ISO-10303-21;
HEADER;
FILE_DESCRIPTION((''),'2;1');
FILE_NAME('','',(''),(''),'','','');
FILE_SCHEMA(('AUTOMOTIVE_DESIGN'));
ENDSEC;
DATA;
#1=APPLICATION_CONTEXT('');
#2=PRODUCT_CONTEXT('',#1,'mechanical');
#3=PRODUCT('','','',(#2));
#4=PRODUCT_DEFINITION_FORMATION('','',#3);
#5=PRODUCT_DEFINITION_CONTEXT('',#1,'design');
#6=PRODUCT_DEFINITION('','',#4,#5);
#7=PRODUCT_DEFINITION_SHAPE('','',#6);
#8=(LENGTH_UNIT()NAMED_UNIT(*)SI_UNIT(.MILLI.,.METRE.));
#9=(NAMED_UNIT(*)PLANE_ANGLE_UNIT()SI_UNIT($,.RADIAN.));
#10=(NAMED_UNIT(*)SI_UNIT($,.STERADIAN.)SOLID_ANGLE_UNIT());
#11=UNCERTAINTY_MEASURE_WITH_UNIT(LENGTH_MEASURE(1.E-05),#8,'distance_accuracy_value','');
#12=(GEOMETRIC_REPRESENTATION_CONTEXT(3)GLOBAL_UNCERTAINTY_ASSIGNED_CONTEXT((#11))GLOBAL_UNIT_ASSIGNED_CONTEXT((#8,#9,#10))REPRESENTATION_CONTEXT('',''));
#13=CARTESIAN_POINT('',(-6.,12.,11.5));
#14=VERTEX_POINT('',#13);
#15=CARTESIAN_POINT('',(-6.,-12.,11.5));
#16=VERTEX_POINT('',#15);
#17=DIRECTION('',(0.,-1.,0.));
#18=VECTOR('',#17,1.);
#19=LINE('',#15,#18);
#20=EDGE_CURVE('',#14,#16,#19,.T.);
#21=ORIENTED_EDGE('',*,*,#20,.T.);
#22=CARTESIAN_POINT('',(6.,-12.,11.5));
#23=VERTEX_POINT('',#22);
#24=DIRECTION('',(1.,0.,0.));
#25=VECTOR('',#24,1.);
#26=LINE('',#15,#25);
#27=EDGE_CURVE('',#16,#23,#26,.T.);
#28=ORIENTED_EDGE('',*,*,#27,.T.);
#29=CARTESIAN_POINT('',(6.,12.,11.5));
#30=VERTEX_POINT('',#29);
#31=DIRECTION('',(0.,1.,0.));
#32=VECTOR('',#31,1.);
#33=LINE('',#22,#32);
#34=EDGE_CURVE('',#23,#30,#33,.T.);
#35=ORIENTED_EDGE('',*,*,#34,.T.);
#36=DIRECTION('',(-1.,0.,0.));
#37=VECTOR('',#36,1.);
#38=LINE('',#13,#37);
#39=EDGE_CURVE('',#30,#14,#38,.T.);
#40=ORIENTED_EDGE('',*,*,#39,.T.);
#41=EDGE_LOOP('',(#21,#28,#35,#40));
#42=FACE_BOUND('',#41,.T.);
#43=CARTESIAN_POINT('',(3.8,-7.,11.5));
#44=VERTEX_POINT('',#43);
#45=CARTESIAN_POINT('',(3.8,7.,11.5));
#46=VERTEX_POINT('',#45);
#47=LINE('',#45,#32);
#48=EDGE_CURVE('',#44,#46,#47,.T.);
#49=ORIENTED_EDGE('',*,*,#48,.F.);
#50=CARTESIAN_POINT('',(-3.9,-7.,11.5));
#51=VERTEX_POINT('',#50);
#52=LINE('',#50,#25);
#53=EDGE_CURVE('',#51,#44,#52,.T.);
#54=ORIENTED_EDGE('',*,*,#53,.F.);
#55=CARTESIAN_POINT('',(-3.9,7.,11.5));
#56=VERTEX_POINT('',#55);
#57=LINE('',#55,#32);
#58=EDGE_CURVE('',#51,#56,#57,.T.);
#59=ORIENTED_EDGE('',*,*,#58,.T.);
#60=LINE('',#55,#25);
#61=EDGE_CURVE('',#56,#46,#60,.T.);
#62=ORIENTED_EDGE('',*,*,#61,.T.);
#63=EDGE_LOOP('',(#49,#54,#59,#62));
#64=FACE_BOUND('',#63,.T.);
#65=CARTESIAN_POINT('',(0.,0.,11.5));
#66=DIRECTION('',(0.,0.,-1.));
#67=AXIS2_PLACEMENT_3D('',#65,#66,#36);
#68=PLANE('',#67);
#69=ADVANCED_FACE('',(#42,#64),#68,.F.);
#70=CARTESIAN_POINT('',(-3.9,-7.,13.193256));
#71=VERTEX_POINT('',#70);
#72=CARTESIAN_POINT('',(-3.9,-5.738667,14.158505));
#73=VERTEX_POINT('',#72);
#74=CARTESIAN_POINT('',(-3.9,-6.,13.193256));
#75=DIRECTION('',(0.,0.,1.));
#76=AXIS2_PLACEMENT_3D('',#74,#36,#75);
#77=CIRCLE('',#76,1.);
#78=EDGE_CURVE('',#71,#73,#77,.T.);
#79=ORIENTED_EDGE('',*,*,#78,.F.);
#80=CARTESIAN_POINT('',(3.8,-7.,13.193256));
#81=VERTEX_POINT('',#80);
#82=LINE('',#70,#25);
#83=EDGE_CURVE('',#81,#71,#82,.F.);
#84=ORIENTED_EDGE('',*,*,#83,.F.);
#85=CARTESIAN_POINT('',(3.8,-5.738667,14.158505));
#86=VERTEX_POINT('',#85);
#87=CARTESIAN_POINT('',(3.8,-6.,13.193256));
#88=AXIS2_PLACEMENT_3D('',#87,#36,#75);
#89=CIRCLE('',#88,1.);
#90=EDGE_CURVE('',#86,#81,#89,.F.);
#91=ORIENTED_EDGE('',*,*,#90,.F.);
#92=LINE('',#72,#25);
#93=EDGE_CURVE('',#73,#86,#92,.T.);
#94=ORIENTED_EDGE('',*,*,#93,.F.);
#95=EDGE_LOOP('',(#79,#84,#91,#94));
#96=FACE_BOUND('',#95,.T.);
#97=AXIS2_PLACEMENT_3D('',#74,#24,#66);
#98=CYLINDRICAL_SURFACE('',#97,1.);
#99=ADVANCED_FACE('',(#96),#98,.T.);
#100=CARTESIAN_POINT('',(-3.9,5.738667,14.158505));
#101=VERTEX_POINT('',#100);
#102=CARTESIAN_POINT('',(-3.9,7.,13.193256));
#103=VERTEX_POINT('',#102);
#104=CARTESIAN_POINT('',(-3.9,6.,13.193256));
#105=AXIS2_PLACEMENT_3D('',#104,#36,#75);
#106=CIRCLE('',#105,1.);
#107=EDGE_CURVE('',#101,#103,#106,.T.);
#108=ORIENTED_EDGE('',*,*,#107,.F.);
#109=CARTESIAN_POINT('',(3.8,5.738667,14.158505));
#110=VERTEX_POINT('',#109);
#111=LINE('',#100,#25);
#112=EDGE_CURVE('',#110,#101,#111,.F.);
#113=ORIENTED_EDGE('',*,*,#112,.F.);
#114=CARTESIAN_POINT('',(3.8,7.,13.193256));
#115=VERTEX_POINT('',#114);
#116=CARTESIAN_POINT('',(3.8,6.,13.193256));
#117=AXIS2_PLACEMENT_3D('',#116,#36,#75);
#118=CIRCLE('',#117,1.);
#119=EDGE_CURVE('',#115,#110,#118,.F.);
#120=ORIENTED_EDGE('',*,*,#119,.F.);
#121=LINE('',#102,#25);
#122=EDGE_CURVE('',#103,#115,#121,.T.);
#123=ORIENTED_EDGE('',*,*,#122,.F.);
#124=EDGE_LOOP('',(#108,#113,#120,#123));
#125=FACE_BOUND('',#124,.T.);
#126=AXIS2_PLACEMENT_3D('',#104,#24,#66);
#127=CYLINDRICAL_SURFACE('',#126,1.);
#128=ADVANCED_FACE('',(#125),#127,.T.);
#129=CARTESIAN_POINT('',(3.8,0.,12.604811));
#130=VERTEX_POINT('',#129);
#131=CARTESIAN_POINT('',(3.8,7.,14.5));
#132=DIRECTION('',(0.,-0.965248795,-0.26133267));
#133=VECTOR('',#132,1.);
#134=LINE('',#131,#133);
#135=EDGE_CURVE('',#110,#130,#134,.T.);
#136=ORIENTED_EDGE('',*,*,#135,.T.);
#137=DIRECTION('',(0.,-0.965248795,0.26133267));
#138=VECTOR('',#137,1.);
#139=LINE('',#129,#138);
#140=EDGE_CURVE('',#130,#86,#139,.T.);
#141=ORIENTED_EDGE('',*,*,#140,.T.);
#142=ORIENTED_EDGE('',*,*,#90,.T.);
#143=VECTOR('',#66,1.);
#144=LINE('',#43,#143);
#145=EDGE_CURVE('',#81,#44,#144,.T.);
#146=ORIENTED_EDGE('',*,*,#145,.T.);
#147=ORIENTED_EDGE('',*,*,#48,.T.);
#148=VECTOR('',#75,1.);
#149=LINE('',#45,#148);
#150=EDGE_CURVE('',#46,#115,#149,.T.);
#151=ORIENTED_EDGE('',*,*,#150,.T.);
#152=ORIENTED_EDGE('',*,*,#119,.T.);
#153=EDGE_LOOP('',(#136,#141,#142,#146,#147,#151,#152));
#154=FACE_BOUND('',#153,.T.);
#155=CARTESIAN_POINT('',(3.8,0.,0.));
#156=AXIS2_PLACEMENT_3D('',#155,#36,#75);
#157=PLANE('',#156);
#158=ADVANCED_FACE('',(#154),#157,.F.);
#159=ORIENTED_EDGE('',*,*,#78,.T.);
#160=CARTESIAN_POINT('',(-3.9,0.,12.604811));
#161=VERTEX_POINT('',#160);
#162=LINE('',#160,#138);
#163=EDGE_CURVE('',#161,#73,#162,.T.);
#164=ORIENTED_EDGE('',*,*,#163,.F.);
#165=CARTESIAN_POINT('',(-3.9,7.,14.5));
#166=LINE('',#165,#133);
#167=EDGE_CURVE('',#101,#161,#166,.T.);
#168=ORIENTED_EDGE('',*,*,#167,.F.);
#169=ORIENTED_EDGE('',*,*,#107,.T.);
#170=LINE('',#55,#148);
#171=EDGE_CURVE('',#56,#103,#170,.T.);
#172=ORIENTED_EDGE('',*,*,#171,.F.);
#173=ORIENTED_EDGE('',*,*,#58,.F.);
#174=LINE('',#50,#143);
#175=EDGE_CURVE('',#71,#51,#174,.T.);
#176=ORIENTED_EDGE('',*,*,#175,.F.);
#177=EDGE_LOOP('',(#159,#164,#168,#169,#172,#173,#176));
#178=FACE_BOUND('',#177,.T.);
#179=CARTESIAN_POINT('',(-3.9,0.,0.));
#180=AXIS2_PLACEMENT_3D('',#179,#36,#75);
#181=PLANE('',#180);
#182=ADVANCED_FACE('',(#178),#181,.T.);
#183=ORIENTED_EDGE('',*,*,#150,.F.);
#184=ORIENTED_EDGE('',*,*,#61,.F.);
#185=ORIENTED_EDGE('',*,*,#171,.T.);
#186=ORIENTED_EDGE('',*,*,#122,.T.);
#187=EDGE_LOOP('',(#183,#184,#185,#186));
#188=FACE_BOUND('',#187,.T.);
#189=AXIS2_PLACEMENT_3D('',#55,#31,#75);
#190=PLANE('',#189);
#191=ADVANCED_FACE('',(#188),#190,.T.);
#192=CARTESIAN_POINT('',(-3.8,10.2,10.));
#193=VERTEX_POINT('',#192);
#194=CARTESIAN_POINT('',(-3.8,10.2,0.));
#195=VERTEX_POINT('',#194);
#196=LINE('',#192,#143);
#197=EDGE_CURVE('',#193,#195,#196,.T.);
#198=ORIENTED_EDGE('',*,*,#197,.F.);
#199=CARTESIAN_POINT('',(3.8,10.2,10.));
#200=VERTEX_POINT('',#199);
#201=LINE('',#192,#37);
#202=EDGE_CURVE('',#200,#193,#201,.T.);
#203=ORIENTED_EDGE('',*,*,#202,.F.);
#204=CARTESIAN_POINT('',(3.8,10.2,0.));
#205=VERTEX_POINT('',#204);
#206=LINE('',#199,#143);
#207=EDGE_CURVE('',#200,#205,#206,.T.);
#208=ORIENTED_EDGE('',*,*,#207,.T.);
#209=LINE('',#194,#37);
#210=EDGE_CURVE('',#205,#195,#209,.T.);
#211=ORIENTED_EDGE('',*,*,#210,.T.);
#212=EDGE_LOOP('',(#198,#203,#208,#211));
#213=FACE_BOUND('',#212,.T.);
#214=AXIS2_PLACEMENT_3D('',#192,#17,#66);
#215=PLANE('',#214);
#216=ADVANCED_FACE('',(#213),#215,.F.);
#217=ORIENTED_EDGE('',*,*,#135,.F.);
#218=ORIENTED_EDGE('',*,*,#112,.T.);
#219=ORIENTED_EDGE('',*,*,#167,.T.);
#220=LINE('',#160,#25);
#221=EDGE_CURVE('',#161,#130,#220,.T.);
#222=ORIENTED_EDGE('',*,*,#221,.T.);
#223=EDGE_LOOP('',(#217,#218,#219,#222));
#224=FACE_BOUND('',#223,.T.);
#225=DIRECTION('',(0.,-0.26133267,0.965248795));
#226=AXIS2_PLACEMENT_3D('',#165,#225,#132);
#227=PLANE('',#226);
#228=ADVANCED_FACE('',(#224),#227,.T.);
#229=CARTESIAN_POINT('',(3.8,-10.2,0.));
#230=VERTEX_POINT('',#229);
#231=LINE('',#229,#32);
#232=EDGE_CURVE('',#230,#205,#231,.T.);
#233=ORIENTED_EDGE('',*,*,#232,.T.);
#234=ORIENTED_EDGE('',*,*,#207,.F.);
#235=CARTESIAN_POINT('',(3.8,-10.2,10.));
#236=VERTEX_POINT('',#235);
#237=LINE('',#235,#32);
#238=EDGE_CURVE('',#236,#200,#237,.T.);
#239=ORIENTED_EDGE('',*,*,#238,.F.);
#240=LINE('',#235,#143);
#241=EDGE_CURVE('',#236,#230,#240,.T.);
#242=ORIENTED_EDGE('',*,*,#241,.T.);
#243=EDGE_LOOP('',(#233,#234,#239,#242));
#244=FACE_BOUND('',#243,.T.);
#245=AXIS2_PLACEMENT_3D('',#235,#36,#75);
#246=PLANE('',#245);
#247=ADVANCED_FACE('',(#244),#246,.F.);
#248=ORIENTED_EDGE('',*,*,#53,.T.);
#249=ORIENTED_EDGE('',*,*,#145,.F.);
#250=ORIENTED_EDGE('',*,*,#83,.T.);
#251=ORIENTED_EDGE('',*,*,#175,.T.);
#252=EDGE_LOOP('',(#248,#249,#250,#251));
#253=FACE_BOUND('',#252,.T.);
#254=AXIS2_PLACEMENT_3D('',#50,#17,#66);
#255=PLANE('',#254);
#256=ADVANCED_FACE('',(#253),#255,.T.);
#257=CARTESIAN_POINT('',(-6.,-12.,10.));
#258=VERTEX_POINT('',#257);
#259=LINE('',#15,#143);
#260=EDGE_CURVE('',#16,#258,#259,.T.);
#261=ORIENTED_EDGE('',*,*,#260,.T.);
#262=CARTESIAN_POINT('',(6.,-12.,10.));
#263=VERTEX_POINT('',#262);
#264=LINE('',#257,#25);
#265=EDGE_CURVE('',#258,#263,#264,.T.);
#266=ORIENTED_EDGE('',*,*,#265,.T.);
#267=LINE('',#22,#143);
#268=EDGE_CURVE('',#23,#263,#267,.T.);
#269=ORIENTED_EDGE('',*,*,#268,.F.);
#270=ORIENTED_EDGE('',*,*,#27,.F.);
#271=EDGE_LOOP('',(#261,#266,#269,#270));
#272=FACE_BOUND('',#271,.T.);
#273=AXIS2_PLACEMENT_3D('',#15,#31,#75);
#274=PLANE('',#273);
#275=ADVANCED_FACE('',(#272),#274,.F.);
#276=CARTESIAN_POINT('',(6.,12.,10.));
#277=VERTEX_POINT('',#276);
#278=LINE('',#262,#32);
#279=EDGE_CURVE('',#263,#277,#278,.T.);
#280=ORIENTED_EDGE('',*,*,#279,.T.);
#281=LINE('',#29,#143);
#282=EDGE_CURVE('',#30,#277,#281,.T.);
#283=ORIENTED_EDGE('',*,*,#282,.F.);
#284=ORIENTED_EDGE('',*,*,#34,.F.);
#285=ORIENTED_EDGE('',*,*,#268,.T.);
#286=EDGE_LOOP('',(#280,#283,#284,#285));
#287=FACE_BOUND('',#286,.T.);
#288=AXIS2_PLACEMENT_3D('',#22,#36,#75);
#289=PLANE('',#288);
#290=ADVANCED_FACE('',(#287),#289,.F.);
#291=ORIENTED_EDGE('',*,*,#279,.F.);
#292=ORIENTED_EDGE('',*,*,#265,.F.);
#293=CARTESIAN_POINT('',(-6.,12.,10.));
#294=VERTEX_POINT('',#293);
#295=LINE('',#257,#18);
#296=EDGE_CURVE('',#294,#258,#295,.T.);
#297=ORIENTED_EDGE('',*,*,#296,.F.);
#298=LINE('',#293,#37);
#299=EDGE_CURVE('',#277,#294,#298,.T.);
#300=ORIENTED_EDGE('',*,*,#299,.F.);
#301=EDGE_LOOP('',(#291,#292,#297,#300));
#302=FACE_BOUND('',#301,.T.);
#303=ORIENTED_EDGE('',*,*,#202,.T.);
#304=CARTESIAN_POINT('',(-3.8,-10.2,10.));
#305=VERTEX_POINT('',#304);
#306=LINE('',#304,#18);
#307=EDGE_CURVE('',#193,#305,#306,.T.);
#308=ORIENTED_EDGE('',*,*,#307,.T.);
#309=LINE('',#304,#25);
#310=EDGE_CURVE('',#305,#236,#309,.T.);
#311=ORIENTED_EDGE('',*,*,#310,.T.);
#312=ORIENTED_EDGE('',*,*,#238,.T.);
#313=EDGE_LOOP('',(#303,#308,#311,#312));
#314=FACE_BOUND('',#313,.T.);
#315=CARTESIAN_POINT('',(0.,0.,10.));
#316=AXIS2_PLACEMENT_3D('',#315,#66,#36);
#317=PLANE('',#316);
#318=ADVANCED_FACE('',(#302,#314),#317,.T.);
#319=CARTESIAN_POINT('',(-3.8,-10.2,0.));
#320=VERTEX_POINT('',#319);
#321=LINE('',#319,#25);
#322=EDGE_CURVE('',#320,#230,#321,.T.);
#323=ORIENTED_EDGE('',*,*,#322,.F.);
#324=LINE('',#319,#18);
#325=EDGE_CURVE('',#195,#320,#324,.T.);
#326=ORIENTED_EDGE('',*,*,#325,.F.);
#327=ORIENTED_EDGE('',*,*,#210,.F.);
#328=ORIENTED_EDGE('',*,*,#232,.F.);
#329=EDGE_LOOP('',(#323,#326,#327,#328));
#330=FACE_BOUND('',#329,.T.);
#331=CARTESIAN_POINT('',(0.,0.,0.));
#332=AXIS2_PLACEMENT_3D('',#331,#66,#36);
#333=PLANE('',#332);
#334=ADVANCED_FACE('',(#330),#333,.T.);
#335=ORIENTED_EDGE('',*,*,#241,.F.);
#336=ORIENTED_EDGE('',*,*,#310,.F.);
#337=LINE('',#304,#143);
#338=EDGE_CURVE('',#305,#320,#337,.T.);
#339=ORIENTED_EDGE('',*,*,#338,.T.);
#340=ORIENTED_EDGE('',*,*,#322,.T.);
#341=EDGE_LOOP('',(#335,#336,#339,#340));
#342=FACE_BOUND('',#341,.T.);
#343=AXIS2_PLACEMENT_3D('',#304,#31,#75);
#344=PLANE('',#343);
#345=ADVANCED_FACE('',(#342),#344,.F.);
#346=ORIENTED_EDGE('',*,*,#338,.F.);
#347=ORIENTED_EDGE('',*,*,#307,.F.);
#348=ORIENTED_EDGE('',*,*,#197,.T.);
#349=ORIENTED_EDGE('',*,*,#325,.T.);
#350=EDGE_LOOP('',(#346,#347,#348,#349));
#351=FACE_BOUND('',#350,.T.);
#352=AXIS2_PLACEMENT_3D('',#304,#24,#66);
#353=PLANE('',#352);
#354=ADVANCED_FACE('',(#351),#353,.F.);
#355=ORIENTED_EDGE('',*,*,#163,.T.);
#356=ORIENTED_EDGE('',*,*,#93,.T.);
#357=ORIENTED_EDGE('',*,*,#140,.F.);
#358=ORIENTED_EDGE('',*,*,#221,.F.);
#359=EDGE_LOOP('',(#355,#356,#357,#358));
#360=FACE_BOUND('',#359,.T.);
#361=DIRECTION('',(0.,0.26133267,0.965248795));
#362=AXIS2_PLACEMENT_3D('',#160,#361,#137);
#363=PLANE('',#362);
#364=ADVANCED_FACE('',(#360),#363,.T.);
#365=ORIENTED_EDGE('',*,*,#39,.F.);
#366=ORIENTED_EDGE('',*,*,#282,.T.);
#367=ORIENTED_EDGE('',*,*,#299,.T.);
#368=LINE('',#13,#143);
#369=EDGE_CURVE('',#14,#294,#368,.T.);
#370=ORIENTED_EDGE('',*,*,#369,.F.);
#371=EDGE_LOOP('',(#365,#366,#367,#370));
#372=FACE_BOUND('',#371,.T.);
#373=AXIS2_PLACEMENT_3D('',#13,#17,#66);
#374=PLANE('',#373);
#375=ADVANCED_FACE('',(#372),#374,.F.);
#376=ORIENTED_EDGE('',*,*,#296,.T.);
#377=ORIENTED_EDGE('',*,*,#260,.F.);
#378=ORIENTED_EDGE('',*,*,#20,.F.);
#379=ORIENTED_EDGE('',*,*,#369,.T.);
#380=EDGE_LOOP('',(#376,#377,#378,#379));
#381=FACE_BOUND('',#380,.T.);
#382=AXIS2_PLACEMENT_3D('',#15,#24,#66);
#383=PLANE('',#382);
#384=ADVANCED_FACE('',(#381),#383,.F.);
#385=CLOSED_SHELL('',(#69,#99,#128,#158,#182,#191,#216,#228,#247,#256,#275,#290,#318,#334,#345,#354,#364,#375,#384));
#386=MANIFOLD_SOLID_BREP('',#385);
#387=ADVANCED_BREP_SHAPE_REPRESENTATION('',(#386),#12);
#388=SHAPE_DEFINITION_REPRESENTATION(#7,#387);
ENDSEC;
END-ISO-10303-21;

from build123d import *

# Parameters (mm, degrees)
SKETCH1_W           = 7.6
SKETCH1_H           = 20.4
BOSS_EXTRUDE1_DEPTH = 10
SKETCH2_W           = 12
SKETCH2_H           = 24
BOSS_EXTRUDE2_DEPTH = 1.5
BOSS_EXTRUDE3_DEPTH = 7.7
FILLET1_R           = 1


with BuildPart() as part:
    # Sketch1 → Boss-Extrude1 (new body)
    with BuildSketch(Plane.XY):
        Rectangle(SKETCH1_W, SKETCH1_H)
    extrude(amount=BOSS_EXTRUDE1_DEPTH)

    # Sketch2 → Boss-Extrude2 (add)
    with BuildSketch(Plane.XY.offset(10)):
        Rectangle(SKETCH2_W, SKETCH2_H)
    extrude(amount=BOSS_EXTRUDE2_DEPTH)

    # Sketch3 → Boss-Extrude3 (add)
    with BuildSketch(Plane(origin=(3.8, 0, 0), x_dir=(0, 0, -1), z_dir=(1, 0, 0))):
        Polygon((-11.5, 7), (-14.5, 7), (-12.604811218, 0), (-14.5, -7), (-11.5, -7), align=None)
    extrude(amount=-BOSS_EXTRUDE3_DEPTH)

    # Fillet1
    fillet1_edges = [part.edges().sort_by_distance(p)[0] for p in [
        (-0.05, -7, 14.5),
        (-0.05, 7, 14.5),
    ]]
    fillet(fillet1_edges, radius=FILLET1_R)


solid = part.part
